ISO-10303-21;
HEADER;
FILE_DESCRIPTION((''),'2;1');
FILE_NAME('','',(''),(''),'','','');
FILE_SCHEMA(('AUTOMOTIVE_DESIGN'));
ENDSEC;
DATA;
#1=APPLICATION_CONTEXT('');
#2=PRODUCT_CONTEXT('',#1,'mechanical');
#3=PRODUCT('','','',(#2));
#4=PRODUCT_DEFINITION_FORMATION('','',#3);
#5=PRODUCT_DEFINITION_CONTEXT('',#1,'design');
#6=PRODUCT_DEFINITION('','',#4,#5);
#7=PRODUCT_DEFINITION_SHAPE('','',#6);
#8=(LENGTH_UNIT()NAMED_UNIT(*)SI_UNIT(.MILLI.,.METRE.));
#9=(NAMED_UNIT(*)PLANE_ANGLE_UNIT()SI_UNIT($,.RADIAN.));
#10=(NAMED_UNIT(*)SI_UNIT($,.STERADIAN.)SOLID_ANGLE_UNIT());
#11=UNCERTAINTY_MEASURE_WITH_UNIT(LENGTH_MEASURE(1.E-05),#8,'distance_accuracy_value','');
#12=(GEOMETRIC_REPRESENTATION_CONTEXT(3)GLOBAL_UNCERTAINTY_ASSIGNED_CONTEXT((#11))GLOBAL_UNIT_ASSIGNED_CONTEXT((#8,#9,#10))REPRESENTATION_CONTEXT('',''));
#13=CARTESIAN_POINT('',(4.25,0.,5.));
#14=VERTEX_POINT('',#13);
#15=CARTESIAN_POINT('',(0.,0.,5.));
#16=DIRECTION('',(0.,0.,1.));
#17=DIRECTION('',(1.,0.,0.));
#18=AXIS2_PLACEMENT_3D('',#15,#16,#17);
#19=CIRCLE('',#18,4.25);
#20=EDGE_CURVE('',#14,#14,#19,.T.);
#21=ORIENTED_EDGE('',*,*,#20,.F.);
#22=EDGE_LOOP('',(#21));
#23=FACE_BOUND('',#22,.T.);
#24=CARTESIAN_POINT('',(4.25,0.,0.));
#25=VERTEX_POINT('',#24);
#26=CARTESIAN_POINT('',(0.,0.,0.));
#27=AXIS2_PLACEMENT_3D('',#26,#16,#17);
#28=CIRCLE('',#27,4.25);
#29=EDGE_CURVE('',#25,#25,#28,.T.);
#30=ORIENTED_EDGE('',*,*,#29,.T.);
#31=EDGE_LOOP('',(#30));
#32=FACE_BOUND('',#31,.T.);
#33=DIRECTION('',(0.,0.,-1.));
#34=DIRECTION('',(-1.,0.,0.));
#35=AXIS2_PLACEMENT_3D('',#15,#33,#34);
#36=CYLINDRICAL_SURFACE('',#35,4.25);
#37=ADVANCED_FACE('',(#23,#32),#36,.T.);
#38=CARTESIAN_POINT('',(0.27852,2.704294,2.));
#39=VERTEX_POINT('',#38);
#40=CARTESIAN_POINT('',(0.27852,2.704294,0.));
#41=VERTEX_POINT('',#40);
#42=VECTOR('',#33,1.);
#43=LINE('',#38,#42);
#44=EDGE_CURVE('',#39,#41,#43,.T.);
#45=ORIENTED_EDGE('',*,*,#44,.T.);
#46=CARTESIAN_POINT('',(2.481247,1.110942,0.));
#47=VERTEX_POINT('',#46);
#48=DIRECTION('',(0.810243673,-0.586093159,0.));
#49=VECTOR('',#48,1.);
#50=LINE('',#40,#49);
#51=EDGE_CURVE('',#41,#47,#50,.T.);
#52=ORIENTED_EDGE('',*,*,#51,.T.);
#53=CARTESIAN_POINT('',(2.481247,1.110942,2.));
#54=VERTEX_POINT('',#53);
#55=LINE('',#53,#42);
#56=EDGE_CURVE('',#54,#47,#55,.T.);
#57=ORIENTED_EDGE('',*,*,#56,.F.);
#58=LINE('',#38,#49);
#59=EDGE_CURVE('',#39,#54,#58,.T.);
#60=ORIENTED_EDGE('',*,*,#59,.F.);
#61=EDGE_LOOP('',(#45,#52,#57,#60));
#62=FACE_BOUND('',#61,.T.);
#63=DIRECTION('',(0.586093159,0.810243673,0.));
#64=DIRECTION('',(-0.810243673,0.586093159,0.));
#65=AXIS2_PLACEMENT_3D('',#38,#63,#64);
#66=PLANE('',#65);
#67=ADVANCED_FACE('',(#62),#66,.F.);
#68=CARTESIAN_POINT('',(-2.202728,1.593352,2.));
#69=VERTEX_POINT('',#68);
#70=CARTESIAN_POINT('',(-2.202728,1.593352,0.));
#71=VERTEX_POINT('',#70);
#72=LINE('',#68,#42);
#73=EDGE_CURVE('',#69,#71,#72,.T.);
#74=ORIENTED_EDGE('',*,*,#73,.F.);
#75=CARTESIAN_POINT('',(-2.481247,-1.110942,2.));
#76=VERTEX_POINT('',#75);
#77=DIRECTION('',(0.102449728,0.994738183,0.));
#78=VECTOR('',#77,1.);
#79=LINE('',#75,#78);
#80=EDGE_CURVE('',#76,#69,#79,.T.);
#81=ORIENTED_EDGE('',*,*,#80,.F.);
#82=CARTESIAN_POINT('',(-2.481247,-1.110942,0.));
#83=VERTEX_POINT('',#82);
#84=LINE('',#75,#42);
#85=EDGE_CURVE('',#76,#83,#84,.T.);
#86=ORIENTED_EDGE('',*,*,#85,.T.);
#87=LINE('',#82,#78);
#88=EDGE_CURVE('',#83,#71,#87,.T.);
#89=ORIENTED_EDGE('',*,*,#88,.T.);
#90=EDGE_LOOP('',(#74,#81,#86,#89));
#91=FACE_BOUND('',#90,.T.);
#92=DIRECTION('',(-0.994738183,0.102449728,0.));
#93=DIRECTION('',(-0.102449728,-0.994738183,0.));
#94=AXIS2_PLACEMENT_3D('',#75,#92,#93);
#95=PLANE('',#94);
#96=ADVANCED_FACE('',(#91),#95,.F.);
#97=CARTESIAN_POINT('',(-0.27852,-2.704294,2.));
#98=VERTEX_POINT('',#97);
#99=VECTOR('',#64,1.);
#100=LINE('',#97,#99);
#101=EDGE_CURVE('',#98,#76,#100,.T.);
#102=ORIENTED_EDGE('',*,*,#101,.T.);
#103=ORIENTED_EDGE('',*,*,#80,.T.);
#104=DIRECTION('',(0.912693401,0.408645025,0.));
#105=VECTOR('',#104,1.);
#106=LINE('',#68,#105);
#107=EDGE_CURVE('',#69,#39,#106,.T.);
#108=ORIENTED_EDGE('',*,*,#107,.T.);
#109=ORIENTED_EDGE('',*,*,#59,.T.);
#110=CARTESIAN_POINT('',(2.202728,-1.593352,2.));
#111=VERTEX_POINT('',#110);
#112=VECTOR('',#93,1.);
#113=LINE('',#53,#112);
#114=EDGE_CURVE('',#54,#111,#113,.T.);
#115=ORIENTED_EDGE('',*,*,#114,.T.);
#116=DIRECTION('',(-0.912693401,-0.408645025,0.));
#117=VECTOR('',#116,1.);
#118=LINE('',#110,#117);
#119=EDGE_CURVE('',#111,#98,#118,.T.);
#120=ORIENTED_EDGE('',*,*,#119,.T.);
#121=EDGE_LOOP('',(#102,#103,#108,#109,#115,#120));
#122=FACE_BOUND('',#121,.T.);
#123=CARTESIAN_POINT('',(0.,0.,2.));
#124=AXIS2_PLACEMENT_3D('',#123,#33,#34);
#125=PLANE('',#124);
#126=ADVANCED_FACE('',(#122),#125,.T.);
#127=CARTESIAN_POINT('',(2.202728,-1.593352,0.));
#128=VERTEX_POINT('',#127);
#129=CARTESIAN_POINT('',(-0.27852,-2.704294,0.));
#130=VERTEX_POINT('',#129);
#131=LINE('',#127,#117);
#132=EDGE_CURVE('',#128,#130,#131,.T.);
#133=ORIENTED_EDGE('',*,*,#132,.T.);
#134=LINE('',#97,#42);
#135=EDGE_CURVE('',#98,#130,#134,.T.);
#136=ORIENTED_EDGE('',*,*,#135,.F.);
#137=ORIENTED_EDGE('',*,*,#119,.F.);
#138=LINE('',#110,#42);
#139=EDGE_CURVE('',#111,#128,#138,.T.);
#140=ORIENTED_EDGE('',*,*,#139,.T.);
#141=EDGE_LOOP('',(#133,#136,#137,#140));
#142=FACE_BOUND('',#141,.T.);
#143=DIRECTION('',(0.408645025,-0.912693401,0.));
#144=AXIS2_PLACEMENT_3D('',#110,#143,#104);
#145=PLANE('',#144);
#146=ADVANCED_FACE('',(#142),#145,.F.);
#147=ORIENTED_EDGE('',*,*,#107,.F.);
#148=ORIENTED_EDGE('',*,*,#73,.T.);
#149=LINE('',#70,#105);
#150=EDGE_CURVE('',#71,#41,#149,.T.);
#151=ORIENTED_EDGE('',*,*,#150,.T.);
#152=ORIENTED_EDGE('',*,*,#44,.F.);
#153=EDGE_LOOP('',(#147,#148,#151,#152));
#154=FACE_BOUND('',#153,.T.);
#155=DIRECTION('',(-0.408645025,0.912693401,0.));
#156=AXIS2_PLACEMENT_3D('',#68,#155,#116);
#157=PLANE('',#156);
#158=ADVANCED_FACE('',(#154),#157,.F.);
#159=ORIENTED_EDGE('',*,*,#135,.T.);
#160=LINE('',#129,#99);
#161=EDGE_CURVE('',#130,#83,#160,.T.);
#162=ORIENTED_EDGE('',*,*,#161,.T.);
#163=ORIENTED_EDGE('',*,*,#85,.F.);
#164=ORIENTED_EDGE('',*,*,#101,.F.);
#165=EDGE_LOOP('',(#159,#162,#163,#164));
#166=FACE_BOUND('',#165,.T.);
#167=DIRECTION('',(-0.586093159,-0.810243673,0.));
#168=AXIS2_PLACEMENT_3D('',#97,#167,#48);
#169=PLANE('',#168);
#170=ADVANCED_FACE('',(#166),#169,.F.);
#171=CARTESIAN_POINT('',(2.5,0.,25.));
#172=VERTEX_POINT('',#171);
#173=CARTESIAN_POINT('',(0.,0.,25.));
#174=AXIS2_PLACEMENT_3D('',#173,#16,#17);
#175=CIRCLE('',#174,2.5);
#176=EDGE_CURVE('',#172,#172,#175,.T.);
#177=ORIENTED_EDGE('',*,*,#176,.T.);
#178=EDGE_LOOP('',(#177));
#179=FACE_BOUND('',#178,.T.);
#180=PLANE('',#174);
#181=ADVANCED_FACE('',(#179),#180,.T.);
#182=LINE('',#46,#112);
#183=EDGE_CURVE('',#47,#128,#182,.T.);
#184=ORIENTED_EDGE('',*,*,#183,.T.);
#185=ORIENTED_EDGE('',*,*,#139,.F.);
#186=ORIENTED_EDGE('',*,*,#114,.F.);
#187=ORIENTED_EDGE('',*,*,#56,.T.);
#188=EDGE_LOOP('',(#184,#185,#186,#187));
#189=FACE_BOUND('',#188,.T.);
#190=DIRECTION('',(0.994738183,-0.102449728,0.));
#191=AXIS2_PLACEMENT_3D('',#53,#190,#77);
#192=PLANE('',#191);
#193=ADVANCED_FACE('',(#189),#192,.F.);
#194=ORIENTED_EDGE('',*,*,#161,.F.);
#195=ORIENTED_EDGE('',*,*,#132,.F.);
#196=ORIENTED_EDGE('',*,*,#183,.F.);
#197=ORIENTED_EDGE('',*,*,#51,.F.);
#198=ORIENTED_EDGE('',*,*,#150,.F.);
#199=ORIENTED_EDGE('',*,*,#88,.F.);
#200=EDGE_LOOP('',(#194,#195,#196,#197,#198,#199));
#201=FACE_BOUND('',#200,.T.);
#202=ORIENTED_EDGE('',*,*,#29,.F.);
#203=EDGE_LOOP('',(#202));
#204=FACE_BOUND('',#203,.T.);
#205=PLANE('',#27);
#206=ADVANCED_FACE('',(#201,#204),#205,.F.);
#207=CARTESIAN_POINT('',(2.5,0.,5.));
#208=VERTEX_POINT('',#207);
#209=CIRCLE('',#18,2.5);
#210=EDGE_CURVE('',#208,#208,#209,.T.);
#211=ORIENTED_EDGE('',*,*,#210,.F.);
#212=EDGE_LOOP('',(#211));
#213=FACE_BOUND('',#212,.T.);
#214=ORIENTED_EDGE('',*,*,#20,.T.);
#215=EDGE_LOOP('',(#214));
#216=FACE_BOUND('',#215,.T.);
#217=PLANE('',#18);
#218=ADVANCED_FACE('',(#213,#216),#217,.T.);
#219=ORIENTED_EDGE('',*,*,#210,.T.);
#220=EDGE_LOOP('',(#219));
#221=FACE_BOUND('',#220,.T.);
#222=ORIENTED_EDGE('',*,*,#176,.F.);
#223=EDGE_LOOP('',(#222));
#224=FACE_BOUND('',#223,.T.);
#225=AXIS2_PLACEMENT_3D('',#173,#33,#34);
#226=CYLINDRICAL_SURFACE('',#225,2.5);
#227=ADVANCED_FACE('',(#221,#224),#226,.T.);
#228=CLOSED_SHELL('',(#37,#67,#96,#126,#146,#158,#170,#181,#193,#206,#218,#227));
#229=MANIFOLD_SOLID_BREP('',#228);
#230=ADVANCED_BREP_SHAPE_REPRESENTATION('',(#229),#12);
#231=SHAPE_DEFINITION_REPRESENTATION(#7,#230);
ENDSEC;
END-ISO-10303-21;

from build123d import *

# Parameters (mm, degrees)
SKETCH_1_R          = 4.25
EXTRUDE_1_DEPTH     = 5
SKETCH_2_R          = 2.5
EXTRUDE_2_DEPTH     = 20
CUT_EXTRUDE_1_DEPTH = 2


with BuildPart() as part:
    # ｽｹｯﾁ1 → ﾎﾞｽ - 押し出し1 (new body)
    with BuildSketch(Plane.XY):
        Circle(SKETCH_1_R)
    extrude(amount=EXTRUDE_1_DEPTH)

    # ｽｹｯﾁ2 → ﾎﾞｽ - 押し出し2 (add)
    with BuildSketch(Plane.XY.offset(5)):
        Circle(SKETCH_2_R)
    extrude(amount=EXTRUDE_2_DEPTH)

    # ｽｹｯﾁ3 → ｶｯﾄ - 押し出し1 (cut)
    with BuildSketch(Plane(origin=(0, 0, 0), x_dir=(-1, 0, 0), z_dir=(0, 0, -1))):
        Polygon((2.481247226, -1.110941893), (2.202727514, 1.593352185), (-0.278519712, 2.704294077), (-2.481247226, 1.110941893), (-2.202727514, -1.593352185), (0.278519712, -2.704294077), align=None)
    extrude(amount=-CUT_EXTRUDE_1_DEPTH, mode=Mode.SUBTRACT)


solid = part.part
